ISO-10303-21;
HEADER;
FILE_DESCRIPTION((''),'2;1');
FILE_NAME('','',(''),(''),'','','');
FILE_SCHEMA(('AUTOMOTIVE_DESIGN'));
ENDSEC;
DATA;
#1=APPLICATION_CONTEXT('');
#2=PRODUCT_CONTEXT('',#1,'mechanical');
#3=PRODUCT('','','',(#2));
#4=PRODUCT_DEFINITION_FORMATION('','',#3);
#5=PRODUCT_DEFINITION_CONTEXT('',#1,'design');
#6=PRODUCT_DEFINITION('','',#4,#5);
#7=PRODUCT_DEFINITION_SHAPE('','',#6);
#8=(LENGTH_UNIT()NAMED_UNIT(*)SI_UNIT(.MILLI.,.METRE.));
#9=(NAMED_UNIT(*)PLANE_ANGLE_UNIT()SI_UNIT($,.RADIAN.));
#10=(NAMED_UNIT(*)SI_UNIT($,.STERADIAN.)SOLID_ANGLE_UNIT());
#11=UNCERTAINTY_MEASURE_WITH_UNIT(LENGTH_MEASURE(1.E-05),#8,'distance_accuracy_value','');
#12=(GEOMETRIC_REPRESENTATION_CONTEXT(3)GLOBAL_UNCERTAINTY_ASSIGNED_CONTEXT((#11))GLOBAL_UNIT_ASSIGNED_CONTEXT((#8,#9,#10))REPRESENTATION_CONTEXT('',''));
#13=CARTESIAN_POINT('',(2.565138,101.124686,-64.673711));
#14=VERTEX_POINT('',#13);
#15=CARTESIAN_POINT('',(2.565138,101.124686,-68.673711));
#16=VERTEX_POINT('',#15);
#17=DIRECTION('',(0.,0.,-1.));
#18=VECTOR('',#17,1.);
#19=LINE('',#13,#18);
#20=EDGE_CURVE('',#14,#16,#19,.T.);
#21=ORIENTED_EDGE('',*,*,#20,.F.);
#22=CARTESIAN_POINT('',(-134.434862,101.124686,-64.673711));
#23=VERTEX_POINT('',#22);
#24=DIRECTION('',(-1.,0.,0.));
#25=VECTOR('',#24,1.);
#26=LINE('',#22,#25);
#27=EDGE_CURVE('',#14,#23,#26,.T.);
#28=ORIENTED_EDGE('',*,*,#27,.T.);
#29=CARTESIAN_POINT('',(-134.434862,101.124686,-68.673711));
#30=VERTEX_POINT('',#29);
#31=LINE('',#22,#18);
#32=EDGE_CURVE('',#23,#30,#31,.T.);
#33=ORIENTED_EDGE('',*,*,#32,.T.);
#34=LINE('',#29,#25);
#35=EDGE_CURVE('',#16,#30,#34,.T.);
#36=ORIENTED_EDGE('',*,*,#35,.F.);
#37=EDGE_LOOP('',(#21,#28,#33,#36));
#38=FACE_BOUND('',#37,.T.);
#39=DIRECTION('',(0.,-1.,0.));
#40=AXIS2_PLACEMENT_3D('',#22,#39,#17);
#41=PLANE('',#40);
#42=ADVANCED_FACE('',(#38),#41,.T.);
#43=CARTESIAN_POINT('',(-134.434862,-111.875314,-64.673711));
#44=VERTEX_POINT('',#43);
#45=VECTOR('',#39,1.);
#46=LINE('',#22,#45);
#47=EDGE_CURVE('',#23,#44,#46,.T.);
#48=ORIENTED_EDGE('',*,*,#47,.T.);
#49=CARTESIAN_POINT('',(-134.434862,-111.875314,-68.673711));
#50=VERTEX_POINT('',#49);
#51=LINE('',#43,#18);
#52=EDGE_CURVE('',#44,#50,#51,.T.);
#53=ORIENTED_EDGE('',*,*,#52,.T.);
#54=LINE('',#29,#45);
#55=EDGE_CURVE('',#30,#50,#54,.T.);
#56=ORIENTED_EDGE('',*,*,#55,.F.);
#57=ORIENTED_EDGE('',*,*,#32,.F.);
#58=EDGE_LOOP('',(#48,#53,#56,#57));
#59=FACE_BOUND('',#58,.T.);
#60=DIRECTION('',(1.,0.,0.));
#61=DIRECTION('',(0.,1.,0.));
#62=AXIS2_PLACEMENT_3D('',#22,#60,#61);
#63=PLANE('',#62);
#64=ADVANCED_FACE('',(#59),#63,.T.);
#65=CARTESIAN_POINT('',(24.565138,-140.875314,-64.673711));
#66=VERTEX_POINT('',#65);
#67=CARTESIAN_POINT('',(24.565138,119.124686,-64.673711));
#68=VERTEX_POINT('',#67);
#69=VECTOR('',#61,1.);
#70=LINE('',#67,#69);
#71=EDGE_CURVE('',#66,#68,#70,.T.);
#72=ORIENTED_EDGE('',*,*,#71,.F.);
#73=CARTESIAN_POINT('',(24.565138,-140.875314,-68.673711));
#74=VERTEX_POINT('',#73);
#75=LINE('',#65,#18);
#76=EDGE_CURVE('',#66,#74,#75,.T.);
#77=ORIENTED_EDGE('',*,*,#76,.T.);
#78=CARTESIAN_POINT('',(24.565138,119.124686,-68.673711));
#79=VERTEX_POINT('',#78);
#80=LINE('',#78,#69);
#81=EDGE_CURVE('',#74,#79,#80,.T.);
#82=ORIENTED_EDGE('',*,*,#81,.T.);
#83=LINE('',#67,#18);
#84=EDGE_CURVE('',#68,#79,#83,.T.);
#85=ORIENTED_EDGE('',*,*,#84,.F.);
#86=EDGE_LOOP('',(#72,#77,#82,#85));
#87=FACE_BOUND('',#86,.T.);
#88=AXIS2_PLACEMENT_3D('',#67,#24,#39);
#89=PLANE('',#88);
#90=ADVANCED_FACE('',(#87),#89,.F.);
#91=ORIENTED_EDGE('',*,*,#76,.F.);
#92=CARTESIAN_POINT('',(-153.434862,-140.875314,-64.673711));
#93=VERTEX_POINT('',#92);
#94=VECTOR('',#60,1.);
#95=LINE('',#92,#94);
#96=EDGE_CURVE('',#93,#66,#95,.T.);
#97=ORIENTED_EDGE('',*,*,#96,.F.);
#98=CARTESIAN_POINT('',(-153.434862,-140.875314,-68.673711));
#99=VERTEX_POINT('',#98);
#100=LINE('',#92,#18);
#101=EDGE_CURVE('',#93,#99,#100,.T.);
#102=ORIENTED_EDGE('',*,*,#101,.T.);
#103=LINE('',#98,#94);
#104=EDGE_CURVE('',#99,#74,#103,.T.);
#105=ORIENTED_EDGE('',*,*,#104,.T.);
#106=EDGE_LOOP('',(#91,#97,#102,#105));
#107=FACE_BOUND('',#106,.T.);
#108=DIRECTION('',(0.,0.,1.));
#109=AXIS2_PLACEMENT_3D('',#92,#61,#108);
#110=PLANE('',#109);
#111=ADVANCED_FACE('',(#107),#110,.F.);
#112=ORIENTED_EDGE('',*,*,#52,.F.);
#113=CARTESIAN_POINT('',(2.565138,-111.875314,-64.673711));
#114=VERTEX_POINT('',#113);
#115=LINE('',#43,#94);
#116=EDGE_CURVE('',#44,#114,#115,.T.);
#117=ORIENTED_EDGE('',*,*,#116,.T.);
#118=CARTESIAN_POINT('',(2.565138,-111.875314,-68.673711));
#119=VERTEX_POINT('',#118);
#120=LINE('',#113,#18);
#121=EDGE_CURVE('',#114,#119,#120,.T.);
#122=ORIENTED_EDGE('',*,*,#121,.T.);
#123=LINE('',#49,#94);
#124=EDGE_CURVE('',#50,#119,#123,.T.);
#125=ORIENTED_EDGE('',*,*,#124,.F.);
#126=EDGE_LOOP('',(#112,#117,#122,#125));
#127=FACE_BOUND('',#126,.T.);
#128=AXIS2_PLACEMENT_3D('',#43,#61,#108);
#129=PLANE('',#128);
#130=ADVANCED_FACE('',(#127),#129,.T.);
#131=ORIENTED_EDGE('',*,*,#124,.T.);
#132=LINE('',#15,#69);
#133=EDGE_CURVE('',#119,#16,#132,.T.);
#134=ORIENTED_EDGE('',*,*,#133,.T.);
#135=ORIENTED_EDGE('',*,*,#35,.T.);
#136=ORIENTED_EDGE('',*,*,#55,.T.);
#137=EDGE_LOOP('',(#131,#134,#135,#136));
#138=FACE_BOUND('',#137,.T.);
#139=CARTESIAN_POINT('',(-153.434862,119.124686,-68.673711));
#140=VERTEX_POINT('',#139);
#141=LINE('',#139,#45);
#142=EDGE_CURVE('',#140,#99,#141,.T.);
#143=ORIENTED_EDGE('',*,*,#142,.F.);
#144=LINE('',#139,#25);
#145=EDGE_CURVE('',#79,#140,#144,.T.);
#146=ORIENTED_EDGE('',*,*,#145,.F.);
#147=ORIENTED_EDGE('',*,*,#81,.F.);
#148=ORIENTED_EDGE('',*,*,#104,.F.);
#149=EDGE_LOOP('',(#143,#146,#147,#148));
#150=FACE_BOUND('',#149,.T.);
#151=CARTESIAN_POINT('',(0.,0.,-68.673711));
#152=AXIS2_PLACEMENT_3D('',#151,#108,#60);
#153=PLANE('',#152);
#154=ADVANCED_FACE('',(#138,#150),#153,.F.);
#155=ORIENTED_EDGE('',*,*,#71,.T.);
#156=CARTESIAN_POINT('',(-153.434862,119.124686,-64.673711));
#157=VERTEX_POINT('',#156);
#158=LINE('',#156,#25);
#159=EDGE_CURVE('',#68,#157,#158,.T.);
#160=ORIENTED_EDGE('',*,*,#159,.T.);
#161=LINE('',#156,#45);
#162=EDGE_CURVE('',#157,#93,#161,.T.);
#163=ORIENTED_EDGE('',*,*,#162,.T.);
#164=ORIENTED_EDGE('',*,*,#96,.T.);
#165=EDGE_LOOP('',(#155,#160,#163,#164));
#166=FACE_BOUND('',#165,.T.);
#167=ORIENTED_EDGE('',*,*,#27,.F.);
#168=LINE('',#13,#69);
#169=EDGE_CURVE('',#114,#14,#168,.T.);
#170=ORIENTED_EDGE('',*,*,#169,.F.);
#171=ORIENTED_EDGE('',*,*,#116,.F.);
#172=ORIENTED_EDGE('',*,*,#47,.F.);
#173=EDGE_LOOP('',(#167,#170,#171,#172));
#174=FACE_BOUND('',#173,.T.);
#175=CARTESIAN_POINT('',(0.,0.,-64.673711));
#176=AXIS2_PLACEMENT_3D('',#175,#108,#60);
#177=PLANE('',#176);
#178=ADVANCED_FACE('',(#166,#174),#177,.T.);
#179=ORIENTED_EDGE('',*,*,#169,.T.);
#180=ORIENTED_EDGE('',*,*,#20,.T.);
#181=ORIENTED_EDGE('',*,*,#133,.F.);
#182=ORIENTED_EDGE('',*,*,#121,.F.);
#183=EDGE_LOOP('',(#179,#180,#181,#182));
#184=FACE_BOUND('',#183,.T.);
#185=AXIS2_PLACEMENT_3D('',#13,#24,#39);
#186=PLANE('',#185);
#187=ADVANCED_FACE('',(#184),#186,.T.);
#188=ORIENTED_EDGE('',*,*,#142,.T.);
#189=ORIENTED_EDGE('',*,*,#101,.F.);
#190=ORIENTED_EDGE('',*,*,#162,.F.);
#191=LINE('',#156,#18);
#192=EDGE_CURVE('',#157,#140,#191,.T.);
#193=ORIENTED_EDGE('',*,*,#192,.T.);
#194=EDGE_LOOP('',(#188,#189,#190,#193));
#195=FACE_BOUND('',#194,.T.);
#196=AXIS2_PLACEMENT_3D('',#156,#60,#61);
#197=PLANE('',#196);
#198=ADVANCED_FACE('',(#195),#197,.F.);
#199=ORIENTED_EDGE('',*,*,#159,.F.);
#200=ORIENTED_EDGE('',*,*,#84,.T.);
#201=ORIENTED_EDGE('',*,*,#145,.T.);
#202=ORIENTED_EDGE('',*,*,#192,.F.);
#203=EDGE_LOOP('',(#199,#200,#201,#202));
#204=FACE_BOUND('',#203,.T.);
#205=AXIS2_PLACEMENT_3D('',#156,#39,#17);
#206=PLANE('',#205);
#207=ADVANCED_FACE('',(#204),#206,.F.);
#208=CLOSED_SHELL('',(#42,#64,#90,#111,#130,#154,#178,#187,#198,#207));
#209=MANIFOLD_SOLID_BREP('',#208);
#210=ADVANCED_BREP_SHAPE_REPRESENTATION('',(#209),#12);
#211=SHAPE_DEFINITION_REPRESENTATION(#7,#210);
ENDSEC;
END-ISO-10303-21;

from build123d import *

# Parameters (mm, degrees)
SKETCH1_W           = 178
SKETCH1_H           = 260
SKETCH1_W_2         = 137
SKETCH1_H_2         = 213
BOSS_EXTRUDE1_DEPTH = 4


with BuildPart() as part:
    # Sketch1 → Boss-Extrude1 (new body)
    with BuildSketch(Plane.XY.offset(-68.673711015)):
        with Locations((-64.434862251, -10.875314363)):
            Rectangle(SKETCH1_W, SKETCH1_H)
        with Locations((-65.934862251, -5.375314363)):
            Rectangle(SKETCH1_W_2, SKETCH1_H_2, mode=Mode.SUBTRACT)
    extrude(amount=BOSS_EXTRUDE1_DEPTH)


solid = part.part
